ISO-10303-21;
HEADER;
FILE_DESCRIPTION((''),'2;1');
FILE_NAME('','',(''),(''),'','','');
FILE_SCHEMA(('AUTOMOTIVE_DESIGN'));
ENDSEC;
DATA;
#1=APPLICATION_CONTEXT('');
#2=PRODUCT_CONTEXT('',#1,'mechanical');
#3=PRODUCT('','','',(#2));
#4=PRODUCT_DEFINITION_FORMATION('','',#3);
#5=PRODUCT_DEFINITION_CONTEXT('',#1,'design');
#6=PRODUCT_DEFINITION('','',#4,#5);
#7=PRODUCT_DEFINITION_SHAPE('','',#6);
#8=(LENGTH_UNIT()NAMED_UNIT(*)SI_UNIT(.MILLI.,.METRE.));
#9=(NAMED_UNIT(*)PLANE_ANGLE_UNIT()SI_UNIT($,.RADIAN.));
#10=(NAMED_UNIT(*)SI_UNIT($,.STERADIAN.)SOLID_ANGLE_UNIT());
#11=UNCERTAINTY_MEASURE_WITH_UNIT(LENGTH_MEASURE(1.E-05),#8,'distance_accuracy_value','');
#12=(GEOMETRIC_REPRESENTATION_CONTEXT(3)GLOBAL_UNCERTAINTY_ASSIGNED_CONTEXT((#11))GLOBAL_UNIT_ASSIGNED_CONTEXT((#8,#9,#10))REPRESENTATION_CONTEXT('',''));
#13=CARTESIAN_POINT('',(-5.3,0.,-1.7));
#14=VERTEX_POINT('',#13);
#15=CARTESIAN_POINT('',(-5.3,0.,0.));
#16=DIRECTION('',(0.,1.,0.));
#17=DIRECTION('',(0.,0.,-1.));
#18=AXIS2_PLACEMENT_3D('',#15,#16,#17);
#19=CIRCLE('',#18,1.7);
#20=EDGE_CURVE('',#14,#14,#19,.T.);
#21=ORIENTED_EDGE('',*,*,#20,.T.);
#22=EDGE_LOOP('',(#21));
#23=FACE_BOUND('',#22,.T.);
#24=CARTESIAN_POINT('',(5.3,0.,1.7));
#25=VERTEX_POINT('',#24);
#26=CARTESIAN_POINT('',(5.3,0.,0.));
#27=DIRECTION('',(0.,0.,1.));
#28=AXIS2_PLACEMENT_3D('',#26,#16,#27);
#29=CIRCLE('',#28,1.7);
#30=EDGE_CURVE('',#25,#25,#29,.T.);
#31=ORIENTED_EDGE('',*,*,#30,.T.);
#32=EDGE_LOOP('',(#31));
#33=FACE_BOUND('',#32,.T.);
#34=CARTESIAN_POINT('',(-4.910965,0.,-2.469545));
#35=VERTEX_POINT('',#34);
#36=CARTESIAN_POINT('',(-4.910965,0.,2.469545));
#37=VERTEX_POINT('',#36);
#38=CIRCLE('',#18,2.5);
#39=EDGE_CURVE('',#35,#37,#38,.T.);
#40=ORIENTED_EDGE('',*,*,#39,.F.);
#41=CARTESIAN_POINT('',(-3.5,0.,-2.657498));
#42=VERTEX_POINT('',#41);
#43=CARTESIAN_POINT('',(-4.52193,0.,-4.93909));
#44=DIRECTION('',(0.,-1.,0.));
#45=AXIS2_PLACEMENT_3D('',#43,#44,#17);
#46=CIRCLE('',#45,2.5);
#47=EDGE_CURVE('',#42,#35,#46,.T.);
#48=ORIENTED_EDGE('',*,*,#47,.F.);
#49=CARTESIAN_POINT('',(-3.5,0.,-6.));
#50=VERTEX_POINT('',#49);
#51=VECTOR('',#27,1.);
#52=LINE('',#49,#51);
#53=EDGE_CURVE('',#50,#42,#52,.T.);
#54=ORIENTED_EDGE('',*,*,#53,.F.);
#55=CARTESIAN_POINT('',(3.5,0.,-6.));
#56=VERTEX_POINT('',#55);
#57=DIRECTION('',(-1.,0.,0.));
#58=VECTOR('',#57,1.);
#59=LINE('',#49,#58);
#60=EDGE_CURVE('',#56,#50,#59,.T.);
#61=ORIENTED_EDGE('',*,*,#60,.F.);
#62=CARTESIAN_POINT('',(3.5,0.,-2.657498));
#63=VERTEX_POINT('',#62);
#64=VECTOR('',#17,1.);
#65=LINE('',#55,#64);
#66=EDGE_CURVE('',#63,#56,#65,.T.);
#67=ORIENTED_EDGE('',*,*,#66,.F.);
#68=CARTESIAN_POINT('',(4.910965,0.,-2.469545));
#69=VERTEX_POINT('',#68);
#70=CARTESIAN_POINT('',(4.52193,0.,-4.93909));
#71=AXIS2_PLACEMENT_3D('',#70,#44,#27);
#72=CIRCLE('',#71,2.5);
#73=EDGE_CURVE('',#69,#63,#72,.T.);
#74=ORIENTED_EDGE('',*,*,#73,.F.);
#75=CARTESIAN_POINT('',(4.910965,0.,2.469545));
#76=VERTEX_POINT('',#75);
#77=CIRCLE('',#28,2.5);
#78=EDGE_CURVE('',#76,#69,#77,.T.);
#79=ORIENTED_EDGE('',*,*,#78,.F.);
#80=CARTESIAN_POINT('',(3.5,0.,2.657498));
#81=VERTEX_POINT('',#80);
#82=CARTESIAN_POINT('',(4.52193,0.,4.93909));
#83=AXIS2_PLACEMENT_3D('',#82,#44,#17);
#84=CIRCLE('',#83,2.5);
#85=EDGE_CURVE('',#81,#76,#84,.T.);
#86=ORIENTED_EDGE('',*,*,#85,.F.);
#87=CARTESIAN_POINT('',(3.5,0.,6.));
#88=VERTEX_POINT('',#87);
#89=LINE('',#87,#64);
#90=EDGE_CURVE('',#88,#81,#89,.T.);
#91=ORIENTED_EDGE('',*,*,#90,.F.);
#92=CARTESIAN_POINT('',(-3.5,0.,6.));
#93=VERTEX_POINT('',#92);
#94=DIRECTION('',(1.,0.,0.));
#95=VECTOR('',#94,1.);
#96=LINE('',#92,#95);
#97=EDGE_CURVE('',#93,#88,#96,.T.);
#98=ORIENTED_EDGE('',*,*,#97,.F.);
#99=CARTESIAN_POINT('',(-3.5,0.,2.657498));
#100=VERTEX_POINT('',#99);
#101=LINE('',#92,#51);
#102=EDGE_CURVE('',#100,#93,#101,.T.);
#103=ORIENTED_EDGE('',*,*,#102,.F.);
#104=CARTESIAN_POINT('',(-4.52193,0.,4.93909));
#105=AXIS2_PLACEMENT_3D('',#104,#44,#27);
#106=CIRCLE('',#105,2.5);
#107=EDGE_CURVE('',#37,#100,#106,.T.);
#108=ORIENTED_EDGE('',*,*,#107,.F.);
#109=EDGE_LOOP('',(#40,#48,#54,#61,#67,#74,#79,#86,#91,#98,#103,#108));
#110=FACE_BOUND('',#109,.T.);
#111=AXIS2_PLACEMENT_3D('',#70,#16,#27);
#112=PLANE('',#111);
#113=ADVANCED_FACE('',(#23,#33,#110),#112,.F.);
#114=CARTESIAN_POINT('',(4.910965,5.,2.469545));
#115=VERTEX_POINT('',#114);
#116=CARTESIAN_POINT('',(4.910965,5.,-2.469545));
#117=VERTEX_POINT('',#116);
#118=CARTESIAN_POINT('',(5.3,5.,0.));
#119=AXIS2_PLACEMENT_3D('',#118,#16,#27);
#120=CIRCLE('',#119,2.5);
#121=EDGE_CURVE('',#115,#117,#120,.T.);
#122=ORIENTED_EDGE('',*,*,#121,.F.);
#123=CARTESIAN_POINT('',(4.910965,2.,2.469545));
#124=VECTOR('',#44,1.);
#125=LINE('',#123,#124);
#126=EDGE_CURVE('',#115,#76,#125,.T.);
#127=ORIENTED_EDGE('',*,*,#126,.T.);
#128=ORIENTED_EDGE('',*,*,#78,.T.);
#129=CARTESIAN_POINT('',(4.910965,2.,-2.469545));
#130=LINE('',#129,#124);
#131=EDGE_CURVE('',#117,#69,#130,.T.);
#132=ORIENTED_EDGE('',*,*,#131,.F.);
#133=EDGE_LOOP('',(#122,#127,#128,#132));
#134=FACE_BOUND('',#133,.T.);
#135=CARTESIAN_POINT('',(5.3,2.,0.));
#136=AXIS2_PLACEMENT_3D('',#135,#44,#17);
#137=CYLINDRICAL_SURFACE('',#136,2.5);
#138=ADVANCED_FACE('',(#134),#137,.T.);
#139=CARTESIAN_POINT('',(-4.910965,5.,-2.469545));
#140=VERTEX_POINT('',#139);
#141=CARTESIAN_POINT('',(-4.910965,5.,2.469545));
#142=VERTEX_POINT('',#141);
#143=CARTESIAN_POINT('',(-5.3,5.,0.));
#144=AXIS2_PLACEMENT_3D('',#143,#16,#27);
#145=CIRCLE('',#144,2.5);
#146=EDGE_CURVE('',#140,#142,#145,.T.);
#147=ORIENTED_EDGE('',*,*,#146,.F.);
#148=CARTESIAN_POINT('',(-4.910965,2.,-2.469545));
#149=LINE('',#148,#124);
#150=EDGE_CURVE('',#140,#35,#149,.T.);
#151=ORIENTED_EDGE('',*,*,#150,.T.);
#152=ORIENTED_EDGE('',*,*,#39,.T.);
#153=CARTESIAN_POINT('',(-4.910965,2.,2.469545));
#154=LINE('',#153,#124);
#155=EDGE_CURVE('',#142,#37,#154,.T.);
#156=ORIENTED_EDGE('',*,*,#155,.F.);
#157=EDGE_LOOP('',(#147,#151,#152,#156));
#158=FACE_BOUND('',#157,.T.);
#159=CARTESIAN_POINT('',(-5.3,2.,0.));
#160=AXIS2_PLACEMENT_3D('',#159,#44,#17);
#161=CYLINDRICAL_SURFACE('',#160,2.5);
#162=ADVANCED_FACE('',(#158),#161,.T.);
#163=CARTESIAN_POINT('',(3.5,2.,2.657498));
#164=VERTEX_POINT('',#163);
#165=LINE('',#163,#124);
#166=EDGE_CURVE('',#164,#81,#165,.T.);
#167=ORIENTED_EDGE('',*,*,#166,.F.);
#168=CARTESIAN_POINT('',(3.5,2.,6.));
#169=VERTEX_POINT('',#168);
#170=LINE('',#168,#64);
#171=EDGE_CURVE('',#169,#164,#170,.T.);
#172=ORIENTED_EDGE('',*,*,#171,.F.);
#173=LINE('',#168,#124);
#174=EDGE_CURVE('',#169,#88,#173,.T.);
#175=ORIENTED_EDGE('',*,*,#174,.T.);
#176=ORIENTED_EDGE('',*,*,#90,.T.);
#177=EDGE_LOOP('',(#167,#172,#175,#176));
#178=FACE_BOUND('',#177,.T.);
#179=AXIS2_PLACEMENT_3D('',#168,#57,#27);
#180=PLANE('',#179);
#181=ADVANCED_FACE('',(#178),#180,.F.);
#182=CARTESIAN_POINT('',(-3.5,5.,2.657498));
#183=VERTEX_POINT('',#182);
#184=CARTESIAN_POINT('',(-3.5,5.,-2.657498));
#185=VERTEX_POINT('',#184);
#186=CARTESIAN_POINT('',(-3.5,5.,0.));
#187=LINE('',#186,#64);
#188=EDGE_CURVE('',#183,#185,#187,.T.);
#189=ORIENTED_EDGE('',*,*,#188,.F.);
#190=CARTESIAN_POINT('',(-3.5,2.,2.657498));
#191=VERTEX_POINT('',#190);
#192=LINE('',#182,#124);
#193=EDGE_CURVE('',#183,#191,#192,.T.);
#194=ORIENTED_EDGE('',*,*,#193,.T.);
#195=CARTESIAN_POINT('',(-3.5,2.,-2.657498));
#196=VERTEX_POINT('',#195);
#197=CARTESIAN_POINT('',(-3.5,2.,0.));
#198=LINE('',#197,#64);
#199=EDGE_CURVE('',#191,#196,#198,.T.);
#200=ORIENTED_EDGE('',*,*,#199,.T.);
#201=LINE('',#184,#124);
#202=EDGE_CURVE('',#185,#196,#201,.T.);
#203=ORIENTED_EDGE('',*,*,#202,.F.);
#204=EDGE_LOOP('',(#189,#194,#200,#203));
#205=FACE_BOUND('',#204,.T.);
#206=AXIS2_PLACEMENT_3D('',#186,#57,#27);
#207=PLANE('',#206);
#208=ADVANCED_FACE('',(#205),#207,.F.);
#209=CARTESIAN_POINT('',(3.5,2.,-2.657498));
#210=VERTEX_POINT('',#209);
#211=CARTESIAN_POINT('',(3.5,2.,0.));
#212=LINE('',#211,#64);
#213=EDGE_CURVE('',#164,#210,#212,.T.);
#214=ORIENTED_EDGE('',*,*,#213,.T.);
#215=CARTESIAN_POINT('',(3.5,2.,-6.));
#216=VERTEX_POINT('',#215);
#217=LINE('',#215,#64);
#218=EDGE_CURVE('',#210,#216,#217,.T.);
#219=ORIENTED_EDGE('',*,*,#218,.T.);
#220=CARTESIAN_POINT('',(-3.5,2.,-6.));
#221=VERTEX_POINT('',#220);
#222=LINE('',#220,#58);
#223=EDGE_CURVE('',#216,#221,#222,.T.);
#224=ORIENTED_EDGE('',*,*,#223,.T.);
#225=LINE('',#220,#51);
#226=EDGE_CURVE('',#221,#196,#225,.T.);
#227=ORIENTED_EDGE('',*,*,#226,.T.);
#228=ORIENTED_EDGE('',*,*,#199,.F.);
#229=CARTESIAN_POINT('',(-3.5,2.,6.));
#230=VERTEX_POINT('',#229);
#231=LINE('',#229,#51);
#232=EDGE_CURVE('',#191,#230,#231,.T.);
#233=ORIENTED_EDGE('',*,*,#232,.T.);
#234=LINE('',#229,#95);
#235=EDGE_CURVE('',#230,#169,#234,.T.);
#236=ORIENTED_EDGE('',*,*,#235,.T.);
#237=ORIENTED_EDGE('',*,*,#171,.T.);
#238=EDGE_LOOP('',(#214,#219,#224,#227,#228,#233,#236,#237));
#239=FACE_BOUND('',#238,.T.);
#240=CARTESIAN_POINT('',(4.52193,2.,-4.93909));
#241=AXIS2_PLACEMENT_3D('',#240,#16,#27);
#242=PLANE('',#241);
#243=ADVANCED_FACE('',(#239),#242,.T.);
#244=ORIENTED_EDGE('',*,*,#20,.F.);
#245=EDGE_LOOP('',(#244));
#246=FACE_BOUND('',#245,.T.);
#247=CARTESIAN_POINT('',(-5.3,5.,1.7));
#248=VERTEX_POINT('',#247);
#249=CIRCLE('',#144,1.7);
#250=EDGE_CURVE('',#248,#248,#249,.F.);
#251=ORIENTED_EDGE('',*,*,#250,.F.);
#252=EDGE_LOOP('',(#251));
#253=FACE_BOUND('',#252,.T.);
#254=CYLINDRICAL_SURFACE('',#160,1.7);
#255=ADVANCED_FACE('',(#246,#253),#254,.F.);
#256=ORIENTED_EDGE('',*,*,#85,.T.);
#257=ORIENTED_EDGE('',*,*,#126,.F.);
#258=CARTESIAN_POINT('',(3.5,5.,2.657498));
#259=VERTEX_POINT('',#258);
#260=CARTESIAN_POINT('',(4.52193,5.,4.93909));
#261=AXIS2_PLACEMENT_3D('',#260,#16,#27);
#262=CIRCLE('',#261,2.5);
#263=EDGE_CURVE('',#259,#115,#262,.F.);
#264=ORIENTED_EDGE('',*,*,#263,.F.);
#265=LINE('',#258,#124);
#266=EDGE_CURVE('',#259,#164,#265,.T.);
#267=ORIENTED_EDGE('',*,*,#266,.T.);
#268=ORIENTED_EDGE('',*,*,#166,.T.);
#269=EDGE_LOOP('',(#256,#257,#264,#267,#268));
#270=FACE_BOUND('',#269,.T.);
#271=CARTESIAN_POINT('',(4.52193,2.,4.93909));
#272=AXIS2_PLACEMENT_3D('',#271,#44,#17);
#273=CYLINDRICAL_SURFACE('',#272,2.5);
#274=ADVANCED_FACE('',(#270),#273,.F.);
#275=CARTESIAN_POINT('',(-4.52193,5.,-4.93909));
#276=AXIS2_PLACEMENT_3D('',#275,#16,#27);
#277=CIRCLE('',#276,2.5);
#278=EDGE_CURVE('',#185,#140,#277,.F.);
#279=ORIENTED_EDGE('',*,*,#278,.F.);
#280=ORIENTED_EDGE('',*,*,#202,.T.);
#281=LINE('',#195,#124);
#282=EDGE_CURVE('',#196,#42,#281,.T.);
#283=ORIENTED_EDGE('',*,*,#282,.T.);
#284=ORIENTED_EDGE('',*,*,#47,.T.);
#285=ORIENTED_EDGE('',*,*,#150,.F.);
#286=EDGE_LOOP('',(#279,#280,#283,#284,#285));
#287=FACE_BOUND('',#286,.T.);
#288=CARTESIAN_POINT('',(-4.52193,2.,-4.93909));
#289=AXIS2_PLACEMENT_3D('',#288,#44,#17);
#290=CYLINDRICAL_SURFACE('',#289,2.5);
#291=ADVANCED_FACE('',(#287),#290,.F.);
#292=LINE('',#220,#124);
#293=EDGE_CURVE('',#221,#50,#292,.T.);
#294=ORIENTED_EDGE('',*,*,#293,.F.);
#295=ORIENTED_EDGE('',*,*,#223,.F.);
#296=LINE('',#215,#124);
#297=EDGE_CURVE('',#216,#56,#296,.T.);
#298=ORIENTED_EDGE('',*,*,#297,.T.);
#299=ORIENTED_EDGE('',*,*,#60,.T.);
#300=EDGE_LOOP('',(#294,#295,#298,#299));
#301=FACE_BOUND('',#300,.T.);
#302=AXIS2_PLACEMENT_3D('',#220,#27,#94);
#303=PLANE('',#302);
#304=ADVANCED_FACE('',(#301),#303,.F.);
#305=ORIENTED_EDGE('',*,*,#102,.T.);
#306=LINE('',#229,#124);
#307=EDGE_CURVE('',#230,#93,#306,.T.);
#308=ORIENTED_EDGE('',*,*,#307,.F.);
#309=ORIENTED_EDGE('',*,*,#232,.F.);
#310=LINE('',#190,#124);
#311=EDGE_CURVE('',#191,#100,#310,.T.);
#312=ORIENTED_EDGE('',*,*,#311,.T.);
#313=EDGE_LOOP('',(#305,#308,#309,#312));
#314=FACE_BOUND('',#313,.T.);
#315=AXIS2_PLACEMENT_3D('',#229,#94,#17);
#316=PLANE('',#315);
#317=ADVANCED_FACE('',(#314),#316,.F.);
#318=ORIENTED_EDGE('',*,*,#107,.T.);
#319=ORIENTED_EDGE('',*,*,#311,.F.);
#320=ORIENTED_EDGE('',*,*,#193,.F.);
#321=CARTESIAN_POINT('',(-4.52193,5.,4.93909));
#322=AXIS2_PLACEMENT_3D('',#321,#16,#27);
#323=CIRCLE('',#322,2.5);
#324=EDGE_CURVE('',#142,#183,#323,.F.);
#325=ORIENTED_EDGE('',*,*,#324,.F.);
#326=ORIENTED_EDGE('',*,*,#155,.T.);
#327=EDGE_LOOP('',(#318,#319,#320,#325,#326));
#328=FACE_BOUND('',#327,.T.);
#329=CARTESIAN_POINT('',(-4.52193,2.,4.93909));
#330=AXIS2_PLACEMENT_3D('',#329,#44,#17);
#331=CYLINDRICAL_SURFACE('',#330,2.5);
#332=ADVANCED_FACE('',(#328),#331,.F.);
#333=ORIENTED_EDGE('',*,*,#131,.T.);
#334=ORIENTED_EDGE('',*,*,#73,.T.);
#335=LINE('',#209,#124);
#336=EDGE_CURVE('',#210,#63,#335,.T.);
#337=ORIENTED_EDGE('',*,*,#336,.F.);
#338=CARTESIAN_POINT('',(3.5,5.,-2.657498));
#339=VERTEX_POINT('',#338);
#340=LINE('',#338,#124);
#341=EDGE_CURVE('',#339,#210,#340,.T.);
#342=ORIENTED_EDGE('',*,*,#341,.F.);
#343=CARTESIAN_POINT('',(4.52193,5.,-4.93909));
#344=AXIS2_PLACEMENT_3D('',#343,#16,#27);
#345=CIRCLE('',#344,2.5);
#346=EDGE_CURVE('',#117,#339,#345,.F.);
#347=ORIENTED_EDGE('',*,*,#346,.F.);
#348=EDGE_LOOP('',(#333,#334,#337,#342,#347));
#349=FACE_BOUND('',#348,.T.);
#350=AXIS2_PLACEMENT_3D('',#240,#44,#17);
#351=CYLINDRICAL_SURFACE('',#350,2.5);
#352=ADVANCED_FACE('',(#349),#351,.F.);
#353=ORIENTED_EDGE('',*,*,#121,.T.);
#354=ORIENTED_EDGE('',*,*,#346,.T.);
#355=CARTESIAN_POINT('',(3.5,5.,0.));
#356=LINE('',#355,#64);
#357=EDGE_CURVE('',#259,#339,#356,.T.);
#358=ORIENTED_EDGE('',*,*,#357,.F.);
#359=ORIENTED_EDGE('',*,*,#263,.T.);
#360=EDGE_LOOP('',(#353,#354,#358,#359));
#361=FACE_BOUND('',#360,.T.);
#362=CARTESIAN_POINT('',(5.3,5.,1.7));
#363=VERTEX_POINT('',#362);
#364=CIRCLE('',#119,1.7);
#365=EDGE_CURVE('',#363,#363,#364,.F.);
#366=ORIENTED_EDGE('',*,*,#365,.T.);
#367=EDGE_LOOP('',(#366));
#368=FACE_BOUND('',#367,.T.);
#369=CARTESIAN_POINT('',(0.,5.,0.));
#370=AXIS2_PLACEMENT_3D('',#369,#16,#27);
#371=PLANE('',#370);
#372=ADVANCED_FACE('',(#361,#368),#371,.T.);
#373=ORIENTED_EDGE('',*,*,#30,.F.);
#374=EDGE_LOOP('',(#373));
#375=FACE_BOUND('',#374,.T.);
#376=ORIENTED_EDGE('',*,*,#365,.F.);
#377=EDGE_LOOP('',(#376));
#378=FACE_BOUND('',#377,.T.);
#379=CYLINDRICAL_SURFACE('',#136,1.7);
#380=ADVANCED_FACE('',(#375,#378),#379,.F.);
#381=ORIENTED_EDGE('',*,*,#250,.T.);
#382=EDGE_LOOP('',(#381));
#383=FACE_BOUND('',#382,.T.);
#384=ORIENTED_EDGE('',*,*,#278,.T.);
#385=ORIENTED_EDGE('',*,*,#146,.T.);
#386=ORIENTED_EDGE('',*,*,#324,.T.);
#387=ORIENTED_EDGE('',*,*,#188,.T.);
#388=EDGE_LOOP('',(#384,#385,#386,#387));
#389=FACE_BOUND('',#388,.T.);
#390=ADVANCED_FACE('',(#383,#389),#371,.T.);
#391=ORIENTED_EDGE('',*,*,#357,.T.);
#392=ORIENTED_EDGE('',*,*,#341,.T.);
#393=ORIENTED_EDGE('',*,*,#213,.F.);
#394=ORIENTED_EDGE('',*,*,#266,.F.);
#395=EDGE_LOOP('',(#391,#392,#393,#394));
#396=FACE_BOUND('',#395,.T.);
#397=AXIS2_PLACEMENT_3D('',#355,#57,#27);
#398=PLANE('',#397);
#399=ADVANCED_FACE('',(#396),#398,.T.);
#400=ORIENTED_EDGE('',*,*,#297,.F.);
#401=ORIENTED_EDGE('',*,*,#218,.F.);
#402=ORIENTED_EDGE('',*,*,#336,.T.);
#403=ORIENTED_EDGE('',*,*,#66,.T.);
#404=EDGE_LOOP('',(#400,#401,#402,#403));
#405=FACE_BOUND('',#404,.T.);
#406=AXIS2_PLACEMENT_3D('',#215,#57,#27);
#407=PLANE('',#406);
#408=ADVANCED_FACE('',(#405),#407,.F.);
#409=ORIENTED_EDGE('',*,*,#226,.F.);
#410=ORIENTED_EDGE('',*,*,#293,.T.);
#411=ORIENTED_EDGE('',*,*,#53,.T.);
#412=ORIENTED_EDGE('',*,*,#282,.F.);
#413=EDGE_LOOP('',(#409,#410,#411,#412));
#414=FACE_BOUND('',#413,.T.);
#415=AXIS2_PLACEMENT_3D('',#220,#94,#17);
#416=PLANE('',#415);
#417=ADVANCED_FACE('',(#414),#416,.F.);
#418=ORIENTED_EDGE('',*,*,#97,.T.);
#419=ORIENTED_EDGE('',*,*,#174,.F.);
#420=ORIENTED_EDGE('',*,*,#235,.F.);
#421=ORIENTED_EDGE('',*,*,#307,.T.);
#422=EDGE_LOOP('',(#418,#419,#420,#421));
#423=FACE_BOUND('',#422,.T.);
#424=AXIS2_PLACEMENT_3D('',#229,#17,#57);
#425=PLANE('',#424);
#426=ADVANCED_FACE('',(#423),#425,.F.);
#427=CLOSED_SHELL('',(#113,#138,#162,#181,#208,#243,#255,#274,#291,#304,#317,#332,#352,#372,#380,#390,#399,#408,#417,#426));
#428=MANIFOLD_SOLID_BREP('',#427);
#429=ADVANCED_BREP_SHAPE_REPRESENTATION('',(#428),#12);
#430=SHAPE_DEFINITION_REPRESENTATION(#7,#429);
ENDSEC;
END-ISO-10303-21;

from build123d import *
from build123d.topology import SkipClean

# Parameters (mm, degrees)
CROQUIS1_R              = 1.7
SALIENTE_EXTRUIR1_DEPTH = 2
CROQUIS5_R              = 1.7
BOSS_EXTRUDE1_DEPTH     = 3


with BuildPart() as part:
    # Croquis1 → Saliente-Extruir1 (new body)
    with BuildSketch(Plane(origin=(0, 0, 0), x_dir=(1, 0, 0), z_dir=(0, 1, 0))):
        with BuildLine():
            Line((-3.5, 6), (3.5, 6))
            Line((3.5, 6), (3.5, 2.657498126))
            ThreePointArc((3.5, 2.657498126), (4.191822894, 2.460979566), (4.910964812, 2.469544821))
            ThreePointArc((4.910964812, 2.469544821), (7.8, 0), (4.910964812, -2.469544821))
            ThreePointArc((4.910964812, -2.469544821), (4.191822894, -2.460979566), (3.5, -2.657498126))
            Line((3.5, -2.657498126), (3.5, -6))
            Line((3.5, -6), (-3.5, -6))
            Line((-3.5, -6), (-3.5, -2.657498126))
            ThreePointArc((-3.5, -2.657498126), (-4.191822894, -2.460979566), (-4.910964812, -2.469544821))
            ThreePointArc((-4.910964812, -2.469544821), (-7.8, 0), (-4.910964812, 2.469544821))
            ThreePointArc((-4.910964812, 2.469544821), (-4.191822894, 2.460979566), (-3.5, 2.657498126))
            Line((-3.5, 2.657498126), (-3.5, 6))
        make_face()
        with Locations((5.3, 0)):
            Circle(CROQUIS1_R, mode=Mode.SUBTRACT)
        with Locations((-5.3, 0)):
            Circle(CROQUIS1_R, mode=Mode.SUBTRACT)
    extrude(amount=SALIENTE_EXTRUIR1_DEPTH)

    # Croquis5 → Boss-Extrude1 (add)
    # profile 1 of 2: a face of its own
    with SkipClean():  # the faces are left unmerged after this step: merging them gives an invalid solid
        with BuildSketch(Plane(origin=(0, 2, 0), x_dir=(1, 0, 0), z_dir=(0, 1, 0))):
            with BuildLine():
                Line((3.5, 2.657498126), (3.5, -2.657498126))
                ThreePointArc((3.5, -2.657498126), (4.191822894, -2.460979566), (4.910964812, -2.469544821))
                ThreePointArc((4.910964812, -2.469544821), (7.8, 0), (4.910964812, 2.469544821))
                ThreePointArc((4.910964812, 2.469544821), (4.191822894, 2.460979566), (3.5, 2.657498126))
            make_face()
            with Locations((5.3, 0)):
                Circle(CROQUIS5_R, mode=Mode.SUBTRACT)
        # profile 2 of 2: a face of its own
        with BuildSketch(Plane(origin=(0, 2, 0), x_dir=(1, 0, 0), z_dir=(0, 1, 0))):
            with BuildLine():
                ThreePointArc((-4.910964812, -2.469544821), (-4.191822894, -2.460979566), (-3.5, -2.657498126))
                Line((-3.5, -2.657498126), (-3.5, 2.657498126))
                ThreePointArc((-3.5, 2.657498126), (-4.191822894, 2.460979566), (-4.910964812, 2.469544821))
                ThreePointArc((-4.910964812, 2.469544821), (-7.8, 0), (-4.910964812, -2.469544821))
            make_face()
            with Locations((-5.3, 0)):
                Circle(CROQUIS5_R, mode=Mode.SUBTRACT)
        extrude(amount=BOSS_EXTRUDE1_DEPTH)


solid = part.part
